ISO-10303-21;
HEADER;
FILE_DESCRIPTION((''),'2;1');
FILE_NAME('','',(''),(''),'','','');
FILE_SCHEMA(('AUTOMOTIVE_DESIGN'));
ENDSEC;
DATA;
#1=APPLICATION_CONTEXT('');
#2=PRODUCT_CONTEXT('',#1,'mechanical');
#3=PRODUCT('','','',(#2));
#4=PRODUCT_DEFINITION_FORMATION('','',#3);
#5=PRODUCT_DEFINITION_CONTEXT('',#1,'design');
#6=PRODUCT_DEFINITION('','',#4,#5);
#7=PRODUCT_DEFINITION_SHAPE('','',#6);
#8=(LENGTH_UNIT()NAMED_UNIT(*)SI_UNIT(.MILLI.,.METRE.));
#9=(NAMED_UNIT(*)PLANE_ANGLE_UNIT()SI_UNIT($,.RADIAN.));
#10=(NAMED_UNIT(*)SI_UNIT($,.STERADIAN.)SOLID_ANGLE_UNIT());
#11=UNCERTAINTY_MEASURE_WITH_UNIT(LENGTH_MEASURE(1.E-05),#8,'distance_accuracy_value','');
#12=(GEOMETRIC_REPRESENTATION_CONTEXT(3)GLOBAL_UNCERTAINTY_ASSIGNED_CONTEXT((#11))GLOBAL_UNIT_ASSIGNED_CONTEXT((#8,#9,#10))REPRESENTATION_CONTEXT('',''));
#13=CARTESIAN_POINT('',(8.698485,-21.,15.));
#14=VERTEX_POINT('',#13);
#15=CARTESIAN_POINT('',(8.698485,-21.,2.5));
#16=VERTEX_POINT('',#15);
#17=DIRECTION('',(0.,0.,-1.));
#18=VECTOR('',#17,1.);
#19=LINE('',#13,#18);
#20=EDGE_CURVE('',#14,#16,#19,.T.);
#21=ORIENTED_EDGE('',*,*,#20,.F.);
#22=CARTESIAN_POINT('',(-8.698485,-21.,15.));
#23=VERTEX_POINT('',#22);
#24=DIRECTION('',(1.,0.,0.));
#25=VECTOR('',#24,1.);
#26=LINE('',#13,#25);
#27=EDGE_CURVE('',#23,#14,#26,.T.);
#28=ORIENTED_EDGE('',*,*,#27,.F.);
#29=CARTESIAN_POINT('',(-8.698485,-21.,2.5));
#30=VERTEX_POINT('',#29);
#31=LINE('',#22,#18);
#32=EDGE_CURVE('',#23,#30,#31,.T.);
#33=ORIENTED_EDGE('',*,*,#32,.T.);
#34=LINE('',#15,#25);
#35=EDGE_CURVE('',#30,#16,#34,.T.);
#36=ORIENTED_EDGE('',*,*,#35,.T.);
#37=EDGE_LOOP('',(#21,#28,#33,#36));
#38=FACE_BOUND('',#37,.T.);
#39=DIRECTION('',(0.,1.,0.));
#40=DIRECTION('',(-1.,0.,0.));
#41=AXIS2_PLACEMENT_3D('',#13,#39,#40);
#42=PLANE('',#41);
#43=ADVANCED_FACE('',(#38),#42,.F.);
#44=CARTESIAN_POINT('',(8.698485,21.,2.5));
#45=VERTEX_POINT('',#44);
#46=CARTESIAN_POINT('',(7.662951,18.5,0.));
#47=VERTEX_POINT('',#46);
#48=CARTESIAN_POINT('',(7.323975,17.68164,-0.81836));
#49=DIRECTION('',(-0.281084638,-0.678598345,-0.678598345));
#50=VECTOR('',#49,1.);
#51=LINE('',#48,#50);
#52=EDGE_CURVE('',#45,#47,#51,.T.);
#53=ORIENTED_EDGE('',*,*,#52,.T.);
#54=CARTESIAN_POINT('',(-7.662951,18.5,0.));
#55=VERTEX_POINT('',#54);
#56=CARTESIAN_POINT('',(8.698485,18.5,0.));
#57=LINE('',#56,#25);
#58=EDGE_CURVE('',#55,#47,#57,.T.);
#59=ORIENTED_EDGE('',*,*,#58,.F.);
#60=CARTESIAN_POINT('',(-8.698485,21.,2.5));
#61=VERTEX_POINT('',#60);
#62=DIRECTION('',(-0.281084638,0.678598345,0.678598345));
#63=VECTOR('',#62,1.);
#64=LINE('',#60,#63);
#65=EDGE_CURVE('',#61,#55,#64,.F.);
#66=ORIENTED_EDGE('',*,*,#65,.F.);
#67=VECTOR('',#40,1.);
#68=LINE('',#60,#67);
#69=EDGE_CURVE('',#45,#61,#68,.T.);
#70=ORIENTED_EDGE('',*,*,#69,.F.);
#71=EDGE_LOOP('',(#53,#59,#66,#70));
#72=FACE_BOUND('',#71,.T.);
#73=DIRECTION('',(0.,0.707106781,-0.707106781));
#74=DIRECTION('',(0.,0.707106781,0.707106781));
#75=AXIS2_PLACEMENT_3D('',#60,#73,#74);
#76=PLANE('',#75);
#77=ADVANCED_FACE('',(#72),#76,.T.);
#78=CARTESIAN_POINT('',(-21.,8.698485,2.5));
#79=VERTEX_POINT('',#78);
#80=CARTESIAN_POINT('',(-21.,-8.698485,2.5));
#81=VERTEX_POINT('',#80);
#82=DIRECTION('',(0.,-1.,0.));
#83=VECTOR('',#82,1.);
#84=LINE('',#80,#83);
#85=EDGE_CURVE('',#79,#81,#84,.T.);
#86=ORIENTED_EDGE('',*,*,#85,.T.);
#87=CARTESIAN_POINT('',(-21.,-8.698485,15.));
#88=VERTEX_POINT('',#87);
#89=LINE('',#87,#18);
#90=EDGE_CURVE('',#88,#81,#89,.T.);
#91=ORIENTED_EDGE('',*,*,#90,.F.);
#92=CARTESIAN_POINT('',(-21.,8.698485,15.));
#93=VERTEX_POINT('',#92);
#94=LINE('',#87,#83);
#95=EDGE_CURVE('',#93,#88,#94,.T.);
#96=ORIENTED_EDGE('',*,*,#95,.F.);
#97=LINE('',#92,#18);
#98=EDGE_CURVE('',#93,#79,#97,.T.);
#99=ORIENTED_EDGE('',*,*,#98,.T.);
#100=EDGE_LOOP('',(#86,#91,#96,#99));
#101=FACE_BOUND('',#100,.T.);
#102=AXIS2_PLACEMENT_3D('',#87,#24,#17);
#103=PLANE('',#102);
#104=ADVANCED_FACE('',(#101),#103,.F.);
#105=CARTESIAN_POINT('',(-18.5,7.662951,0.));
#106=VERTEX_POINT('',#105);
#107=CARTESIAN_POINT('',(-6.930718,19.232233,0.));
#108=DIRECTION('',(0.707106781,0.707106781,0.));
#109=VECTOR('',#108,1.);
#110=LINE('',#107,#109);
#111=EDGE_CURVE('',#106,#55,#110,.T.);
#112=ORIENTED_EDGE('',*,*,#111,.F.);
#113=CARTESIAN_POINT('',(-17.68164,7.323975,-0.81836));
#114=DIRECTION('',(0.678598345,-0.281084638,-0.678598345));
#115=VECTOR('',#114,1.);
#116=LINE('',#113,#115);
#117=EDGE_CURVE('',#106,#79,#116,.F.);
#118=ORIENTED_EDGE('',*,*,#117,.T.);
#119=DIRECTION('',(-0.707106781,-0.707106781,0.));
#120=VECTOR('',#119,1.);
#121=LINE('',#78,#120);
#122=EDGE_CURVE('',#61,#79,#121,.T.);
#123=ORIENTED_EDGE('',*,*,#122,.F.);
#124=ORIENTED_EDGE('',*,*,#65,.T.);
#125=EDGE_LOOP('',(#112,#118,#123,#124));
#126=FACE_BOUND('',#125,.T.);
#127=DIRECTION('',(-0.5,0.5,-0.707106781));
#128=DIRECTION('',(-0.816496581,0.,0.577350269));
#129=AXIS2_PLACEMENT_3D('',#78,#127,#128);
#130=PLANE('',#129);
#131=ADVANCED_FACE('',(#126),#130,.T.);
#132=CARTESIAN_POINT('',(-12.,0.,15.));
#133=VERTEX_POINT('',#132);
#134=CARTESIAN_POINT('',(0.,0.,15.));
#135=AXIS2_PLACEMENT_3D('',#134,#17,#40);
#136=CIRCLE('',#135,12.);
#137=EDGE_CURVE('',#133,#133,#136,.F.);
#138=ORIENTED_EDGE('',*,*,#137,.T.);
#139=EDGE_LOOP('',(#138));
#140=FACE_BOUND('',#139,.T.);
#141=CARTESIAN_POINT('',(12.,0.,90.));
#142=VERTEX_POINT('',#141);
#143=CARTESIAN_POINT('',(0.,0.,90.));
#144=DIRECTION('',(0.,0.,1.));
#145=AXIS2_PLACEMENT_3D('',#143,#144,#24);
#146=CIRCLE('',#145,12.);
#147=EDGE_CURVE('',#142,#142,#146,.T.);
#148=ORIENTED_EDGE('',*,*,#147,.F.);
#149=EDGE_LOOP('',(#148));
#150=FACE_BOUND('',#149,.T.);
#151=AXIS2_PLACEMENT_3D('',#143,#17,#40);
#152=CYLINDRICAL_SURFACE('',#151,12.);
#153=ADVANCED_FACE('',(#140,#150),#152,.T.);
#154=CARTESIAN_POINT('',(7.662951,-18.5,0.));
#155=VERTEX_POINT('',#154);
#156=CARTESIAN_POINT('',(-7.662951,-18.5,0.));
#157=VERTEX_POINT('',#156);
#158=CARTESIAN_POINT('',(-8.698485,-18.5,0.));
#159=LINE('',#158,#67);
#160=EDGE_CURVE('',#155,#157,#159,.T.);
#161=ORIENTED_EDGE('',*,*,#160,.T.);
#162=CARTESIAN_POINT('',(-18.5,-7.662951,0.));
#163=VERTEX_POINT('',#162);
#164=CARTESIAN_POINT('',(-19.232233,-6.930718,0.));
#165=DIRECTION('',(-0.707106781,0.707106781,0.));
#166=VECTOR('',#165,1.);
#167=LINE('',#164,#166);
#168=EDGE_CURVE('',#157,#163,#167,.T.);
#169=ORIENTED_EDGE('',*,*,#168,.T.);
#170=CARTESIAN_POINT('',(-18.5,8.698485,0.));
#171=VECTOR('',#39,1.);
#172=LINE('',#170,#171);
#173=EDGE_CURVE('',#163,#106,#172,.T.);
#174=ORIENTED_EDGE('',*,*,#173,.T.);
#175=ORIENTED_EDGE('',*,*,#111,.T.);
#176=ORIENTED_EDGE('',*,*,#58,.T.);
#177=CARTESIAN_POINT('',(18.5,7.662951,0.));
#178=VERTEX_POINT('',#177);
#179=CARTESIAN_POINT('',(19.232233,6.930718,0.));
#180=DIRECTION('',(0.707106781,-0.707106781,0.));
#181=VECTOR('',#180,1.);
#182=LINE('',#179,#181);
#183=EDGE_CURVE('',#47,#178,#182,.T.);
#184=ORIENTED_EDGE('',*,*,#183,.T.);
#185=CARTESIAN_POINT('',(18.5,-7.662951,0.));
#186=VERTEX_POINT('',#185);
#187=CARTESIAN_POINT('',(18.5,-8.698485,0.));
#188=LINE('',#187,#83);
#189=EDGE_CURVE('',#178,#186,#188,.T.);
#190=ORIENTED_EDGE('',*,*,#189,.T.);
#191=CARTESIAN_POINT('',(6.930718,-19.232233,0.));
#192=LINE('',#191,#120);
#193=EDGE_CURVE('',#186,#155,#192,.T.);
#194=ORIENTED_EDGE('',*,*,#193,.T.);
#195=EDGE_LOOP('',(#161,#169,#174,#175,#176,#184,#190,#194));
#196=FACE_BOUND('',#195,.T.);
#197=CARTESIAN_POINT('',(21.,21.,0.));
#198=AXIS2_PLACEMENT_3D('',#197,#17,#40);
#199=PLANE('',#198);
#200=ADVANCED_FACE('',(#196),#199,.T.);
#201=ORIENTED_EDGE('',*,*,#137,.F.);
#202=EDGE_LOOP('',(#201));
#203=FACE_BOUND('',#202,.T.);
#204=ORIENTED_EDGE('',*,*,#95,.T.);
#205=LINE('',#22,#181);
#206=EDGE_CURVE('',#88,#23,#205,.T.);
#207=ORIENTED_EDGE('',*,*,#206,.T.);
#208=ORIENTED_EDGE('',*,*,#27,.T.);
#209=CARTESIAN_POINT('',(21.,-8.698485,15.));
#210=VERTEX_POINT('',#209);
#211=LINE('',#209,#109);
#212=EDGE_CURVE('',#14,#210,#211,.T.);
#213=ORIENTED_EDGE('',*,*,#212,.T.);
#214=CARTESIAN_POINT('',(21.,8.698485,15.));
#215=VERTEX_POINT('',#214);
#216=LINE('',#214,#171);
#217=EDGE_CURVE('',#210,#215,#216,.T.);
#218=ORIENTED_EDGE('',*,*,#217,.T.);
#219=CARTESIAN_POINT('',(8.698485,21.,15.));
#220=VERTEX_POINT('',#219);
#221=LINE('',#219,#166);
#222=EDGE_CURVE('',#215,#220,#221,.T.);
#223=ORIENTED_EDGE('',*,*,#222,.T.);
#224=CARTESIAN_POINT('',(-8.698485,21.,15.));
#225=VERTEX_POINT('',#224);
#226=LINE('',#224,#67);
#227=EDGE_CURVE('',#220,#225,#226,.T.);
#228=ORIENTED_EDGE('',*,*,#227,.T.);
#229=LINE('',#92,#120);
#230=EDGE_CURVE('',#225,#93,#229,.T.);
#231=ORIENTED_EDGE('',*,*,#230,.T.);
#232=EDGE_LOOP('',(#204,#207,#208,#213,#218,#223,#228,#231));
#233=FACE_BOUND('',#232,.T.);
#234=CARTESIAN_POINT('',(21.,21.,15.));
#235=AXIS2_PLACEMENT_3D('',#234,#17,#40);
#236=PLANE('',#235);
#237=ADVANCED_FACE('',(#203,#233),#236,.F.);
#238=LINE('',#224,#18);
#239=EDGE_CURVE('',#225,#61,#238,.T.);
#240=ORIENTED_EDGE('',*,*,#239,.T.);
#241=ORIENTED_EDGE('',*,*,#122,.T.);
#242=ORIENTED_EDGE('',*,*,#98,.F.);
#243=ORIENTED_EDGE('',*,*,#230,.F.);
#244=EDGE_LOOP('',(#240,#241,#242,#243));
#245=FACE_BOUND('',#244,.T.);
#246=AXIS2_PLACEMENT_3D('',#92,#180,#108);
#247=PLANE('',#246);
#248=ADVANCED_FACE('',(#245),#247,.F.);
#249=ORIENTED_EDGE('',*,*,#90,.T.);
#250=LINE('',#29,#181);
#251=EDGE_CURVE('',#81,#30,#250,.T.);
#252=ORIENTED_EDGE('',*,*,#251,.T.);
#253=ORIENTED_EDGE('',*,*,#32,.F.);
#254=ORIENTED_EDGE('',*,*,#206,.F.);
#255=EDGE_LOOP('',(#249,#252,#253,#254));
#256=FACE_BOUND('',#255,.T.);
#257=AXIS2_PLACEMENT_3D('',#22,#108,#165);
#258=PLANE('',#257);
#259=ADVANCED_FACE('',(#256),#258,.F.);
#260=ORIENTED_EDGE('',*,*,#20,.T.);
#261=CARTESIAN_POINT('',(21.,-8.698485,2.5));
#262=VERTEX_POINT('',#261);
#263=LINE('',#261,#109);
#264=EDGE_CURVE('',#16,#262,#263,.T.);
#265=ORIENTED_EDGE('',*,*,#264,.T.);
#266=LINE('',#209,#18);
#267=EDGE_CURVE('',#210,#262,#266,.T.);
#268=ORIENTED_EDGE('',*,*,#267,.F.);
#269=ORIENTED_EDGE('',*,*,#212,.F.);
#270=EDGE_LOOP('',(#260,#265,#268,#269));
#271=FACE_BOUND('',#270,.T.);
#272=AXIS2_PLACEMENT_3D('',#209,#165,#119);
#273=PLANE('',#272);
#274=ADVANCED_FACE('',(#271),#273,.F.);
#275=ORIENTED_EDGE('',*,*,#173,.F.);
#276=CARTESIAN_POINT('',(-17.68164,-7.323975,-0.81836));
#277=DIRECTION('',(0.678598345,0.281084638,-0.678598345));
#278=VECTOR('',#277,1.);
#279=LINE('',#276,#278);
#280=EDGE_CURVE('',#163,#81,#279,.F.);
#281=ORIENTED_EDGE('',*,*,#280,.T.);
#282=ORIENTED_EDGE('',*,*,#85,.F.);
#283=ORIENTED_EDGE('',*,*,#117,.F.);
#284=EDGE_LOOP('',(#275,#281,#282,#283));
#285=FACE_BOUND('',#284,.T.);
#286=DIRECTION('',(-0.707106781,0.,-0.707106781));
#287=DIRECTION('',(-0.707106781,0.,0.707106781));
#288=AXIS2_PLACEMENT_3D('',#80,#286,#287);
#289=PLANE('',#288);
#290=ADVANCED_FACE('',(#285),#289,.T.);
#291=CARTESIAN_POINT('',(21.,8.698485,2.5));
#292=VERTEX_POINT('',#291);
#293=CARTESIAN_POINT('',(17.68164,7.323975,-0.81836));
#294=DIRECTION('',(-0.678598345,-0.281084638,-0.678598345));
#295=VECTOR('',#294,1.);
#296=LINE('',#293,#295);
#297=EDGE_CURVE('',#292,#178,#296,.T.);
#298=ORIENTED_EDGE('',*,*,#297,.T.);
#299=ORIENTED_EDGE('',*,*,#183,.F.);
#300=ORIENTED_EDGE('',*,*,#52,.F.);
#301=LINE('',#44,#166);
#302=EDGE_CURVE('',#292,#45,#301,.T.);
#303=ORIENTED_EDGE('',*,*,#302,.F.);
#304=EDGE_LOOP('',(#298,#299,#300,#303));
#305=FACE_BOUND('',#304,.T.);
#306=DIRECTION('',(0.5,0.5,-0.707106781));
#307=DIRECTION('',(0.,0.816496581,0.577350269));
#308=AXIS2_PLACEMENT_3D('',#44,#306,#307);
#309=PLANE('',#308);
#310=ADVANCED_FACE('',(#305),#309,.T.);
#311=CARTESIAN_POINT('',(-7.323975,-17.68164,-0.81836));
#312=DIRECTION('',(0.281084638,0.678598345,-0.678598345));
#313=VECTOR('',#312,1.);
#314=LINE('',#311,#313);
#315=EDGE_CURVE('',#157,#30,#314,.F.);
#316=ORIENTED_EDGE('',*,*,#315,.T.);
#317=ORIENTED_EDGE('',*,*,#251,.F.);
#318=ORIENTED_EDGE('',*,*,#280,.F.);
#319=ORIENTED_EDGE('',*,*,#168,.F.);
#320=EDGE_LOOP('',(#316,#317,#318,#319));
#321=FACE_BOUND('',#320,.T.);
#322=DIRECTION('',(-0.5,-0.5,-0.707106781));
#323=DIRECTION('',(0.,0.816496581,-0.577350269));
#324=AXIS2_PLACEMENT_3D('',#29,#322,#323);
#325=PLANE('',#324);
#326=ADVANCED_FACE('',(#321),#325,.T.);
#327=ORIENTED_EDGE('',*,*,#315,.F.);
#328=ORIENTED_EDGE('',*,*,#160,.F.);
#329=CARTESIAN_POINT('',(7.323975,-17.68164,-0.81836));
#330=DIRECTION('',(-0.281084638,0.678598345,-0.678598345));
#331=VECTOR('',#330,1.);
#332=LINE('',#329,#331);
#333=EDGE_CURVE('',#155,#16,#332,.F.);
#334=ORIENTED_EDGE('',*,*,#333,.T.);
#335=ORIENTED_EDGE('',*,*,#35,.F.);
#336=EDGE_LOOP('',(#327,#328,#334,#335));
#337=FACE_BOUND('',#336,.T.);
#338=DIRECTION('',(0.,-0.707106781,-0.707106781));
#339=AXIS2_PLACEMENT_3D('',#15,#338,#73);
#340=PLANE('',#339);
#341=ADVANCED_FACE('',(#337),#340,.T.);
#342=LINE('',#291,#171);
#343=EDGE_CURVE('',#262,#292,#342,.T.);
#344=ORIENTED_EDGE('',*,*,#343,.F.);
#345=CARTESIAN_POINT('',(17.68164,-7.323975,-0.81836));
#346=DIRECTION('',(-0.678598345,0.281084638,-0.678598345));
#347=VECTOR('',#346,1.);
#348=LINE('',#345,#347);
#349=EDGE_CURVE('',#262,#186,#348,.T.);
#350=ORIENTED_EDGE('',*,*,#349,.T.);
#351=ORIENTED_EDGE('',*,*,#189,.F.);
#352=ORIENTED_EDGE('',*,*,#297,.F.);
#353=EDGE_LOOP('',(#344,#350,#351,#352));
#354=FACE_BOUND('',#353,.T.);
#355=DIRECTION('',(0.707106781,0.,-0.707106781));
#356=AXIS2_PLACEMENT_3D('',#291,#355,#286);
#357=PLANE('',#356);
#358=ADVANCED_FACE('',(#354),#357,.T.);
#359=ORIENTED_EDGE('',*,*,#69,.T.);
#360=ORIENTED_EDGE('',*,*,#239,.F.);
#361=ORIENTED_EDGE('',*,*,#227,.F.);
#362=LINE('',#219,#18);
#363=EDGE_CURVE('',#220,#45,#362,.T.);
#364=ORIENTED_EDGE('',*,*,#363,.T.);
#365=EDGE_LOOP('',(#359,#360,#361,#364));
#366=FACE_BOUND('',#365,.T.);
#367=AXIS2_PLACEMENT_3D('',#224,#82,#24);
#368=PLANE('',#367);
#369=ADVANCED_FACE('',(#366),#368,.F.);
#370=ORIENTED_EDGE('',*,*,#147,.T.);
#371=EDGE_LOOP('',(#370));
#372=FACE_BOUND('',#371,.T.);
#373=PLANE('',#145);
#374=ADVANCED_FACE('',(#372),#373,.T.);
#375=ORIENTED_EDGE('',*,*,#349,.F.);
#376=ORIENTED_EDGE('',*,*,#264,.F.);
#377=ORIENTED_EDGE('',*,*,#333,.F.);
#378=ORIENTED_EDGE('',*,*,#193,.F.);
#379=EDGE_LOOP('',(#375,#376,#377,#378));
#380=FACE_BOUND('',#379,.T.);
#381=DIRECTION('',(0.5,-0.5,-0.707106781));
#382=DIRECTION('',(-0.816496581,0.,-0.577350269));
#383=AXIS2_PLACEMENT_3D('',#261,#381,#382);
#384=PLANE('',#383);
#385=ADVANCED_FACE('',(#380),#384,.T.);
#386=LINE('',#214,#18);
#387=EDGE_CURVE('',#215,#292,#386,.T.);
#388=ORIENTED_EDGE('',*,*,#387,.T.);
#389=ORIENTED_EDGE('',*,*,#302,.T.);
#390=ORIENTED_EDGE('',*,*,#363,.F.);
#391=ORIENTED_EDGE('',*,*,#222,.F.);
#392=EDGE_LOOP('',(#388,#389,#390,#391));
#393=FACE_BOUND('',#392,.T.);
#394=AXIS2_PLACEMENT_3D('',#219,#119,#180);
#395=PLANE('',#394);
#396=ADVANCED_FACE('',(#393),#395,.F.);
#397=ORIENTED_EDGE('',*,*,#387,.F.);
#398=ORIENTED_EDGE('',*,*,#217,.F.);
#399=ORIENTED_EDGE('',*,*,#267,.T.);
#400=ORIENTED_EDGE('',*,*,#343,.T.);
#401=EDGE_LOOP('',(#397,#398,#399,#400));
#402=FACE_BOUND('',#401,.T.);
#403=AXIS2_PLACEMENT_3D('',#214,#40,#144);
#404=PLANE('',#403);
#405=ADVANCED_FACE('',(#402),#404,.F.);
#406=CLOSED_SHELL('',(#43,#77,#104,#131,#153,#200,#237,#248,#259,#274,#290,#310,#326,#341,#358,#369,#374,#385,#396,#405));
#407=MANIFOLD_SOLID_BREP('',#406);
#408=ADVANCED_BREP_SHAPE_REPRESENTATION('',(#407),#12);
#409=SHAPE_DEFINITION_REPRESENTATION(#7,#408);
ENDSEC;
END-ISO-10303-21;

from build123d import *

# Parameters (mm, degrees)
EXTRUDE2_DEPTH = 15
CHAMFER3_SIZE  = 2.5
SKETCH3_R      = 12
EXTRUDE3_DEPTH = 75


with BuildPart() as part:
    # Sketch2 → Extrude2 (new body)
    with BuildSketch(Plane.XY):
        Polygon((-21, 8.69848481), (-8.69848481, 21), (8.69848481, 21), (21, 8.69848481), (21, -8.69848481), (8.69848481, -21), (-8.69848481, -21), (-21, -8.69848481), align=None)
    extrude(amount=EXTRUDE2_DEPTH)

    # Chamfer3
    chamfer3_edges = [part.edges().sort_by_distance(p)[0] for p in [
        (14.849242405, 14.849242405, 0),
        (21, 0, 0),
        (14.849242405, -14.849242405, 0),
        (0, -21, 0),
        (-14.849242405, -14.849242405, 0),
        (-21, 0, 0),
        (-14.849242405, 14.849242405, 0),
        (0, 21, 0),
    ]]
    chamfer(chamfer3_edges, length=CHAMFER3_SIZE)

    # Sketch3 → Extrude3 (add)
    with BuildSketch(Plane.XY.offset(15)):
        with Locations(Location((0, 0, 0), (0, 0, 180))):
            Circle(SKETCH3_R)
    extrude(amount=EXTRUDE3_DEPTH)


solid = part.part
